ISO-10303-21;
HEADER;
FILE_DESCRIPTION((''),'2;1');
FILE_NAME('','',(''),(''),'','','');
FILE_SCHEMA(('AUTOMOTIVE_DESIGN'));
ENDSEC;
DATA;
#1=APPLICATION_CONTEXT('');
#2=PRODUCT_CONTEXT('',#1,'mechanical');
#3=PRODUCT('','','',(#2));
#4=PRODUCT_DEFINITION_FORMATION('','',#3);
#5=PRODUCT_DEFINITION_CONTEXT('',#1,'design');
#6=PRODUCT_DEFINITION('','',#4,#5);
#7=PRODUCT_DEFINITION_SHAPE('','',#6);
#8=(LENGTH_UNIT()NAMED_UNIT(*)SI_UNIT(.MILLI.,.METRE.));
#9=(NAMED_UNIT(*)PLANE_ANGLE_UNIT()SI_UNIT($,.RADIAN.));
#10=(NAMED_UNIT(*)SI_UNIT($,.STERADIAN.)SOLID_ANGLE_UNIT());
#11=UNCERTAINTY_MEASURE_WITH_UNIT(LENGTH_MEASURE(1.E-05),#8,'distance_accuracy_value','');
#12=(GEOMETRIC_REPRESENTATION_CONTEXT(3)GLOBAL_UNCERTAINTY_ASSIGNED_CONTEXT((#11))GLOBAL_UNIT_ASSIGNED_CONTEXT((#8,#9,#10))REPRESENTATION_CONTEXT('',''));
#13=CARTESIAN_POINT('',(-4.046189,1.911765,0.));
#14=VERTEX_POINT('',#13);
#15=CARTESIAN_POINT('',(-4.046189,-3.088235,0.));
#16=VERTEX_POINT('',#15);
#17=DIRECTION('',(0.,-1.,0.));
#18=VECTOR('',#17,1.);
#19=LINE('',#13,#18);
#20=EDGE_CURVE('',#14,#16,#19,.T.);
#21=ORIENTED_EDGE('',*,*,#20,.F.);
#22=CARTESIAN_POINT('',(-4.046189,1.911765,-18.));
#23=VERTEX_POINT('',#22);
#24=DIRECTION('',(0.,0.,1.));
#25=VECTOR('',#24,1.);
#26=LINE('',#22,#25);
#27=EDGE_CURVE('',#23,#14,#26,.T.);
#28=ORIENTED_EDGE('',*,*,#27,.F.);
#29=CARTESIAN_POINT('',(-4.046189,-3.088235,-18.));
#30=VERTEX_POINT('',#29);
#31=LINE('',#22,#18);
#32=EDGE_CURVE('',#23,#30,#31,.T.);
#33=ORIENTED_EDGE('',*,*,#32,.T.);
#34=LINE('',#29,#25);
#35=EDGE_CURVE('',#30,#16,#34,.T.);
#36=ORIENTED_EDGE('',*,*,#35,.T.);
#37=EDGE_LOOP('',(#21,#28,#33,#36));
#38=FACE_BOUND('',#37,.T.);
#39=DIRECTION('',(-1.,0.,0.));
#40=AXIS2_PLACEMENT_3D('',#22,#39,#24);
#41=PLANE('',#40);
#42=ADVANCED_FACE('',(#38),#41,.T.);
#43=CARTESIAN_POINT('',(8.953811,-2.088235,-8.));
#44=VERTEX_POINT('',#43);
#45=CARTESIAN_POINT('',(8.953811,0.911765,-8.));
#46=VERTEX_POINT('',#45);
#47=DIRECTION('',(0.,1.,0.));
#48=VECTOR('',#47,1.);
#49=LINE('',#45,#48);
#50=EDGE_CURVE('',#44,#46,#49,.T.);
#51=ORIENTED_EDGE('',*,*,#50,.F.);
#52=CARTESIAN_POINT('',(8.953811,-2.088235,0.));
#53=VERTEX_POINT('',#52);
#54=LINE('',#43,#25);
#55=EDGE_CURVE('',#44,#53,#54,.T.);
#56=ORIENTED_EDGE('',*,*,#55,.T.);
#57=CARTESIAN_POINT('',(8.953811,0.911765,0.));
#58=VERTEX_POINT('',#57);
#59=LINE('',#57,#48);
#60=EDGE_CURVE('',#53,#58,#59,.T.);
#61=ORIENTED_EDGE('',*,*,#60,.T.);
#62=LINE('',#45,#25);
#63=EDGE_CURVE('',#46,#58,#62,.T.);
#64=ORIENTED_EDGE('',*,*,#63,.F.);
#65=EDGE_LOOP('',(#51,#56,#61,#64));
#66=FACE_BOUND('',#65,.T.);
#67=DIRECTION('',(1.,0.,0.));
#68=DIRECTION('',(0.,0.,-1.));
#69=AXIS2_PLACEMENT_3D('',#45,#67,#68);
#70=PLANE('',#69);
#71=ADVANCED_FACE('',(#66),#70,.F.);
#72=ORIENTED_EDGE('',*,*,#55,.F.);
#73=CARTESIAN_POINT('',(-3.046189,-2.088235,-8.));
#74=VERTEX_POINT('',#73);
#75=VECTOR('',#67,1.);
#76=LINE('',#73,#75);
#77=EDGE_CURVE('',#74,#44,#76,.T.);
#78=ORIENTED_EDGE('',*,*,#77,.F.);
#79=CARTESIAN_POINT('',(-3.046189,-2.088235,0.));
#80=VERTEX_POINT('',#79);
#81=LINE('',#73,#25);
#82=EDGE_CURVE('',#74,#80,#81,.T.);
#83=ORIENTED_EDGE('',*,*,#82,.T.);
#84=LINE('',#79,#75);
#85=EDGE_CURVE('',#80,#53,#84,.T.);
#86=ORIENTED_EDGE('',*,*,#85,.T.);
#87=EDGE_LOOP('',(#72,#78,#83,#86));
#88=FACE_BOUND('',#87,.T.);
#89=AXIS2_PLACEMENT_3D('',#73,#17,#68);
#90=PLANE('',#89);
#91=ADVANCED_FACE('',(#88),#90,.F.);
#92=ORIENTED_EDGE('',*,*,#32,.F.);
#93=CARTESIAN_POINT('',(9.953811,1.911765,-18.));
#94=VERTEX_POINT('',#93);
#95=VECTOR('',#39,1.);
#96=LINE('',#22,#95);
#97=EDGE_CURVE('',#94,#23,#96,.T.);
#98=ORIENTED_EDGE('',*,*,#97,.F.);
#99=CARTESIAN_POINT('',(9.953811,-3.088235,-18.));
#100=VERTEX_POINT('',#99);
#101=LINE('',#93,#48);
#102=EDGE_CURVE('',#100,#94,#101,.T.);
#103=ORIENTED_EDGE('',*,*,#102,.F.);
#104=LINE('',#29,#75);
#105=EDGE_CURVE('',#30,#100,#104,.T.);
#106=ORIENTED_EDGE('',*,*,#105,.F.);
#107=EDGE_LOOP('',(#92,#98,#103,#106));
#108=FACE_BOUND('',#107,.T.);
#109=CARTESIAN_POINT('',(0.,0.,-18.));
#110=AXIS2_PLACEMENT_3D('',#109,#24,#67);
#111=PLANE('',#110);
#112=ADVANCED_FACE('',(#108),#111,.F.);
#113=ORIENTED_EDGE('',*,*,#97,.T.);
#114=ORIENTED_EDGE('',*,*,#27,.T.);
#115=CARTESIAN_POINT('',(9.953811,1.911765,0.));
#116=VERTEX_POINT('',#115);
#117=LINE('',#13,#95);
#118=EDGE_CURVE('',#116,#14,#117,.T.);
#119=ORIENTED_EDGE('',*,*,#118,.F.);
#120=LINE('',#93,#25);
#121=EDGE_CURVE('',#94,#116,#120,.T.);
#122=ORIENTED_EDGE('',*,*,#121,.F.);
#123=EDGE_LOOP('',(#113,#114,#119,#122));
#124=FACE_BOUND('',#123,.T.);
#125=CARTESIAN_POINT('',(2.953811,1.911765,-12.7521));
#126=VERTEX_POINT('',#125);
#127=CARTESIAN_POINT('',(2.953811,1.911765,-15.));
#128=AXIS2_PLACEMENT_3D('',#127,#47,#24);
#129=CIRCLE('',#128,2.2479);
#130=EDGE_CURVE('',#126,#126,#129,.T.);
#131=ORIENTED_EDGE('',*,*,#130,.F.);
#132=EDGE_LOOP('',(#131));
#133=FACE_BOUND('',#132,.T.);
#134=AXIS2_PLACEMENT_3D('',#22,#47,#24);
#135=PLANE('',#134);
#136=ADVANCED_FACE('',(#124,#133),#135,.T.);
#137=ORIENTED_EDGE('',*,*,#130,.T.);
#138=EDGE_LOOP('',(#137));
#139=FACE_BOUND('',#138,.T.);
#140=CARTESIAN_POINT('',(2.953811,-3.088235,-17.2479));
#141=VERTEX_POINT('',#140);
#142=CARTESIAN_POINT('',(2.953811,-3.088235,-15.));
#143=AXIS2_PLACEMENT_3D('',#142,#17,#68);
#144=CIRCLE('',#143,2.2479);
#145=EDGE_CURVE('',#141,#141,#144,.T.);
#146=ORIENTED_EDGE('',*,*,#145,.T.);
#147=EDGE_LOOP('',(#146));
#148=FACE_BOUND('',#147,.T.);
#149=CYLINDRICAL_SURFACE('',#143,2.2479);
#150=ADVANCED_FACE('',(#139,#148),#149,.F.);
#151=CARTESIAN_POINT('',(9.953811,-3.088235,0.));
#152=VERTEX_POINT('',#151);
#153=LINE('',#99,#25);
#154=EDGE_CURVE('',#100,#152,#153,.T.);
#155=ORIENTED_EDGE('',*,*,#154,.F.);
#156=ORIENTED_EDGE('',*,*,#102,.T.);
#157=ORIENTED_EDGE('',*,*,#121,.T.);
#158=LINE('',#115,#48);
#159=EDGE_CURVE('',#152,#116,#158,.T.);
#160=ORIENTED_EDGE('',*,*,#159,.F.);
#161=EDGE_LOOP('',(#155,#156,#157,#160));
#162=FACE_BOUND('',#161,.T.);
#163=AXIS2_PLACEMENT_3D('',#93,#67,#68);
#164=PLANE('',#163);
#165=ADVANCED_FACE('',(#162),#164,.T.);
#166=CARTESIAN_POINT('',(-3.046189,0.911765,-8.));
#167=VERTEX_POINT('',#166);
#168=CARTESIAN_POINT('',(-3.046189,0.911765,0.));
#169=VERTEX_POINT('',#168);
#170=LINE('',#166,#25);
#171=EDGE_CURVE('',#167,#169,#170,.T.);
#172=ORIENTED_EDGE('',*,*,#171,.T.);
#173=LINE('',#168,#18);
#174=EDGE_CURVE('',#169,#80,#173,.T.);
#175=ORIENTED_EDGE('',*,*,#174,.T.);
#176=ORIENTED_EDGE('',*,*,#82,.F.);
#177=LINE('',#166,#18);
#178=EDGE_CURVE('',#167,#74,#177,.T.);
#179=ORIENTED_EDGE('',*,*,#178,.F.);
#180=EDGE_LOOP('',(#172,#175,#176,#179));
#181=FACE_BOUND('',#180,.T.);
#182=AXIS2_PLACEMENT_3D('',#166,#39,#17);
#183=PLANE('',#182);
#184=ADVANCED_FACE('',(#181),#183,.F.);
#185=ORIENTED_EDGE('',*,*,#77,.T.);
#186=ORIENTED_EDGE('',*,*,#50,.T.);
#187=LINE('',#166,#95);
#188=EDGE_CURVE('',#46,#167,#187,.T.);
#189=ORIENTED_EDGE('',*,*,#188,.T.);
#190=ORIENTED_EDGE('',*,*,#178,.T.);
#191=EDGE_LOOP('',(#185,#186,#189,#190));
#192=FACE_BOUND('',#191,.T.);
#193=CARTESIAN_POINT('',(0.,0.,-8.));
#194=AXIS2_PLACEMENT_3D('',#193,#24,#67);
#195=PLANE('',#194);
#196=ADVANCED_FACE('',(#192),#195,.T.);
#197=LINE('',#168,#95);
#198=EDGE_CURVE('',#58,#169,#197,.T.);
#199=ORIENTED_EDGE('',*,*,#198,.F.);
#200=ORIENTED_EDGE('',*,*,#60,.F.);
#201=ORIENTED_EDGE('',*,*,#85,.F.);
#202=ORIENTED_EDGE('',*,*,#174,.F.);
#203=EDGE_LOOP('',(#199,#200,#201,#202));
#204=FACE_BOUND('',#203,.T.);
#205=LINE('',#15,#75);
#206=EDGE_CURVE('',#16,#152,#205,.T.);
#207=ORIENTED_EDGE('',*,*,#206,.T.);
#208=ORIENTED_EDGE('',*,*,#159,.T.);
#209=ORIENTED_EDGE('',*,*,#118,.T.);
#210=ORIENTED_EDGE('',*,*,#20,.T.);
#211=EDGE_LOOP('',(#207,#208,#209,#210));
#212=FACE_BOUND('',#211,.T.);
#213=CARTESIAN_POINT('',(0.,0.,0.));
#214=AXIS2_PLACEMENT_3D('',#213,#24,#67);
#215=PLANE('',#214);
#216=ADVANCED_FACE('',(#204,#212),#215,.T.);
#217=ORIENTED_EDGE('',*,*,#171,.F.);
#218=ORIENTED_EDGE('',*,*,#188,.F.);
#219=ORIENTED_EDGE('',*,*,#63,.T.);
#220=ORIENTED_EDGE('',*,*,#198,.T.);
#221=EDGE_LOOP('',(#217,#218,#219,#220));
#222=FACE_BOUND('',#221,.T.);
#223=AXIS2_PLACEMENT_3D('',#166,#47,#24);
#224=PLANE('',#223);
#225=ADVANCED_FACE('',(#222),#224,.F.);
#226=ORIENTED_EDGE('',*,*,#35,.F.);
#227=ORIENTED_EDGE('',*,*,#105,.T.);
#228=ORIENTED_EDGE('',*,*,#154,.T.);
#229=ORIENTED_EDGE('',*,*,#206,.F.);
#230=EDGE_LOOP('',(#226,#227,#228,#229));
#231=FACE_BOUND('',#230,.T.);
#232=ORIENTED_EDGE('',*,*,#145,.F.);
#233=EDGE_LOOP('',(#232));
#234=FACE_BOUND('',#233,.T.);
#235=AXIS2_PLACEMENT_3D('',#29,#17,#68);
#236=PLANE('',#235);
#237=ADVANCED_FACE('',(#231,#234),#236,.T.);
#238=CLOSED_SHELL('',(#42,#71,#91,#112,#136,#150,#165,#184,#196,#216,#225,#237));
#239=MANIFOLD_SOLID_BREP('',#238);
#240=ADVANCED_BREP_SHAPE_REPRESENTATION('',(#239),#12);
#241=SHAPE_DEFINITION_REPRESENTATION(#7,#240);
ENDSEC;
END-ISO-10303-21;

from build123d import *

# Parameters (mm, degrees)
SKETCH1_W                 = 14
SKETCH1_H                 = 5
BOSS_EXTRUDE1_DEPTH       = 18
SKETCH2_W                 = 12
SKETCH2_H                 = 3
CUT_EXTRUDE1_DEPTH        = 8
F_8_CLEARANCE_HOLE1_D     = 4.4958
F_8_CLEARANCE_HOLE1_DEPTH = 17
F_8_CLEARANCE_HOLE1_TIP   = 1.350674586


with BuildPart() as part:
    # Sketch1 → Boss-Extrude1 (new body)
    with BuildSketch(Plane.XY):
        with Locations((2.953810723, -0.588235294)):
            Rectangle(SKETCH1_W, SKETCH1_H)
    extrude(amount=-BOSS_EXTRUDE1_DEPTH)

    # Sketch2 → Cut-Extrude1 (cut)
    with BuildSketch(Plane.XY):
        with Locations((2.953810723, -0.588235294)):
            Rectangle(SKETCH2_W, SKETCH2_H)
    extrude(amount=-CUT_EXTRUDE1_DEPTH, mode=Mode.SUBTRACT)

    # #8 Clearance Hole1
    with Locations(Plane(origin=(2.953810723, -3.088235294, -15), x_dir=(0, 0, -1), z_dir=(0, -1, 0))):
        with Locations((0, 0)):
            Hole(F_8_CLEARANCE_HOLE1_D / 2, depth=F_8_CLEARANCE_HOLE1_DEPTH)
            with Locations((0, 0, -(F_8_CLEARANCE_HOLE1_DEPTH + F_8_CLEARANCE_HOLE1_TIP / 2))):  # 118° drill point
                Cone(0, F_8_CLEARANCE_HOLE1_D / 2, F_8_CLEARANCE_HOLE1_TIP, mode=Mode.SUBTRACT)


solid = part.part
